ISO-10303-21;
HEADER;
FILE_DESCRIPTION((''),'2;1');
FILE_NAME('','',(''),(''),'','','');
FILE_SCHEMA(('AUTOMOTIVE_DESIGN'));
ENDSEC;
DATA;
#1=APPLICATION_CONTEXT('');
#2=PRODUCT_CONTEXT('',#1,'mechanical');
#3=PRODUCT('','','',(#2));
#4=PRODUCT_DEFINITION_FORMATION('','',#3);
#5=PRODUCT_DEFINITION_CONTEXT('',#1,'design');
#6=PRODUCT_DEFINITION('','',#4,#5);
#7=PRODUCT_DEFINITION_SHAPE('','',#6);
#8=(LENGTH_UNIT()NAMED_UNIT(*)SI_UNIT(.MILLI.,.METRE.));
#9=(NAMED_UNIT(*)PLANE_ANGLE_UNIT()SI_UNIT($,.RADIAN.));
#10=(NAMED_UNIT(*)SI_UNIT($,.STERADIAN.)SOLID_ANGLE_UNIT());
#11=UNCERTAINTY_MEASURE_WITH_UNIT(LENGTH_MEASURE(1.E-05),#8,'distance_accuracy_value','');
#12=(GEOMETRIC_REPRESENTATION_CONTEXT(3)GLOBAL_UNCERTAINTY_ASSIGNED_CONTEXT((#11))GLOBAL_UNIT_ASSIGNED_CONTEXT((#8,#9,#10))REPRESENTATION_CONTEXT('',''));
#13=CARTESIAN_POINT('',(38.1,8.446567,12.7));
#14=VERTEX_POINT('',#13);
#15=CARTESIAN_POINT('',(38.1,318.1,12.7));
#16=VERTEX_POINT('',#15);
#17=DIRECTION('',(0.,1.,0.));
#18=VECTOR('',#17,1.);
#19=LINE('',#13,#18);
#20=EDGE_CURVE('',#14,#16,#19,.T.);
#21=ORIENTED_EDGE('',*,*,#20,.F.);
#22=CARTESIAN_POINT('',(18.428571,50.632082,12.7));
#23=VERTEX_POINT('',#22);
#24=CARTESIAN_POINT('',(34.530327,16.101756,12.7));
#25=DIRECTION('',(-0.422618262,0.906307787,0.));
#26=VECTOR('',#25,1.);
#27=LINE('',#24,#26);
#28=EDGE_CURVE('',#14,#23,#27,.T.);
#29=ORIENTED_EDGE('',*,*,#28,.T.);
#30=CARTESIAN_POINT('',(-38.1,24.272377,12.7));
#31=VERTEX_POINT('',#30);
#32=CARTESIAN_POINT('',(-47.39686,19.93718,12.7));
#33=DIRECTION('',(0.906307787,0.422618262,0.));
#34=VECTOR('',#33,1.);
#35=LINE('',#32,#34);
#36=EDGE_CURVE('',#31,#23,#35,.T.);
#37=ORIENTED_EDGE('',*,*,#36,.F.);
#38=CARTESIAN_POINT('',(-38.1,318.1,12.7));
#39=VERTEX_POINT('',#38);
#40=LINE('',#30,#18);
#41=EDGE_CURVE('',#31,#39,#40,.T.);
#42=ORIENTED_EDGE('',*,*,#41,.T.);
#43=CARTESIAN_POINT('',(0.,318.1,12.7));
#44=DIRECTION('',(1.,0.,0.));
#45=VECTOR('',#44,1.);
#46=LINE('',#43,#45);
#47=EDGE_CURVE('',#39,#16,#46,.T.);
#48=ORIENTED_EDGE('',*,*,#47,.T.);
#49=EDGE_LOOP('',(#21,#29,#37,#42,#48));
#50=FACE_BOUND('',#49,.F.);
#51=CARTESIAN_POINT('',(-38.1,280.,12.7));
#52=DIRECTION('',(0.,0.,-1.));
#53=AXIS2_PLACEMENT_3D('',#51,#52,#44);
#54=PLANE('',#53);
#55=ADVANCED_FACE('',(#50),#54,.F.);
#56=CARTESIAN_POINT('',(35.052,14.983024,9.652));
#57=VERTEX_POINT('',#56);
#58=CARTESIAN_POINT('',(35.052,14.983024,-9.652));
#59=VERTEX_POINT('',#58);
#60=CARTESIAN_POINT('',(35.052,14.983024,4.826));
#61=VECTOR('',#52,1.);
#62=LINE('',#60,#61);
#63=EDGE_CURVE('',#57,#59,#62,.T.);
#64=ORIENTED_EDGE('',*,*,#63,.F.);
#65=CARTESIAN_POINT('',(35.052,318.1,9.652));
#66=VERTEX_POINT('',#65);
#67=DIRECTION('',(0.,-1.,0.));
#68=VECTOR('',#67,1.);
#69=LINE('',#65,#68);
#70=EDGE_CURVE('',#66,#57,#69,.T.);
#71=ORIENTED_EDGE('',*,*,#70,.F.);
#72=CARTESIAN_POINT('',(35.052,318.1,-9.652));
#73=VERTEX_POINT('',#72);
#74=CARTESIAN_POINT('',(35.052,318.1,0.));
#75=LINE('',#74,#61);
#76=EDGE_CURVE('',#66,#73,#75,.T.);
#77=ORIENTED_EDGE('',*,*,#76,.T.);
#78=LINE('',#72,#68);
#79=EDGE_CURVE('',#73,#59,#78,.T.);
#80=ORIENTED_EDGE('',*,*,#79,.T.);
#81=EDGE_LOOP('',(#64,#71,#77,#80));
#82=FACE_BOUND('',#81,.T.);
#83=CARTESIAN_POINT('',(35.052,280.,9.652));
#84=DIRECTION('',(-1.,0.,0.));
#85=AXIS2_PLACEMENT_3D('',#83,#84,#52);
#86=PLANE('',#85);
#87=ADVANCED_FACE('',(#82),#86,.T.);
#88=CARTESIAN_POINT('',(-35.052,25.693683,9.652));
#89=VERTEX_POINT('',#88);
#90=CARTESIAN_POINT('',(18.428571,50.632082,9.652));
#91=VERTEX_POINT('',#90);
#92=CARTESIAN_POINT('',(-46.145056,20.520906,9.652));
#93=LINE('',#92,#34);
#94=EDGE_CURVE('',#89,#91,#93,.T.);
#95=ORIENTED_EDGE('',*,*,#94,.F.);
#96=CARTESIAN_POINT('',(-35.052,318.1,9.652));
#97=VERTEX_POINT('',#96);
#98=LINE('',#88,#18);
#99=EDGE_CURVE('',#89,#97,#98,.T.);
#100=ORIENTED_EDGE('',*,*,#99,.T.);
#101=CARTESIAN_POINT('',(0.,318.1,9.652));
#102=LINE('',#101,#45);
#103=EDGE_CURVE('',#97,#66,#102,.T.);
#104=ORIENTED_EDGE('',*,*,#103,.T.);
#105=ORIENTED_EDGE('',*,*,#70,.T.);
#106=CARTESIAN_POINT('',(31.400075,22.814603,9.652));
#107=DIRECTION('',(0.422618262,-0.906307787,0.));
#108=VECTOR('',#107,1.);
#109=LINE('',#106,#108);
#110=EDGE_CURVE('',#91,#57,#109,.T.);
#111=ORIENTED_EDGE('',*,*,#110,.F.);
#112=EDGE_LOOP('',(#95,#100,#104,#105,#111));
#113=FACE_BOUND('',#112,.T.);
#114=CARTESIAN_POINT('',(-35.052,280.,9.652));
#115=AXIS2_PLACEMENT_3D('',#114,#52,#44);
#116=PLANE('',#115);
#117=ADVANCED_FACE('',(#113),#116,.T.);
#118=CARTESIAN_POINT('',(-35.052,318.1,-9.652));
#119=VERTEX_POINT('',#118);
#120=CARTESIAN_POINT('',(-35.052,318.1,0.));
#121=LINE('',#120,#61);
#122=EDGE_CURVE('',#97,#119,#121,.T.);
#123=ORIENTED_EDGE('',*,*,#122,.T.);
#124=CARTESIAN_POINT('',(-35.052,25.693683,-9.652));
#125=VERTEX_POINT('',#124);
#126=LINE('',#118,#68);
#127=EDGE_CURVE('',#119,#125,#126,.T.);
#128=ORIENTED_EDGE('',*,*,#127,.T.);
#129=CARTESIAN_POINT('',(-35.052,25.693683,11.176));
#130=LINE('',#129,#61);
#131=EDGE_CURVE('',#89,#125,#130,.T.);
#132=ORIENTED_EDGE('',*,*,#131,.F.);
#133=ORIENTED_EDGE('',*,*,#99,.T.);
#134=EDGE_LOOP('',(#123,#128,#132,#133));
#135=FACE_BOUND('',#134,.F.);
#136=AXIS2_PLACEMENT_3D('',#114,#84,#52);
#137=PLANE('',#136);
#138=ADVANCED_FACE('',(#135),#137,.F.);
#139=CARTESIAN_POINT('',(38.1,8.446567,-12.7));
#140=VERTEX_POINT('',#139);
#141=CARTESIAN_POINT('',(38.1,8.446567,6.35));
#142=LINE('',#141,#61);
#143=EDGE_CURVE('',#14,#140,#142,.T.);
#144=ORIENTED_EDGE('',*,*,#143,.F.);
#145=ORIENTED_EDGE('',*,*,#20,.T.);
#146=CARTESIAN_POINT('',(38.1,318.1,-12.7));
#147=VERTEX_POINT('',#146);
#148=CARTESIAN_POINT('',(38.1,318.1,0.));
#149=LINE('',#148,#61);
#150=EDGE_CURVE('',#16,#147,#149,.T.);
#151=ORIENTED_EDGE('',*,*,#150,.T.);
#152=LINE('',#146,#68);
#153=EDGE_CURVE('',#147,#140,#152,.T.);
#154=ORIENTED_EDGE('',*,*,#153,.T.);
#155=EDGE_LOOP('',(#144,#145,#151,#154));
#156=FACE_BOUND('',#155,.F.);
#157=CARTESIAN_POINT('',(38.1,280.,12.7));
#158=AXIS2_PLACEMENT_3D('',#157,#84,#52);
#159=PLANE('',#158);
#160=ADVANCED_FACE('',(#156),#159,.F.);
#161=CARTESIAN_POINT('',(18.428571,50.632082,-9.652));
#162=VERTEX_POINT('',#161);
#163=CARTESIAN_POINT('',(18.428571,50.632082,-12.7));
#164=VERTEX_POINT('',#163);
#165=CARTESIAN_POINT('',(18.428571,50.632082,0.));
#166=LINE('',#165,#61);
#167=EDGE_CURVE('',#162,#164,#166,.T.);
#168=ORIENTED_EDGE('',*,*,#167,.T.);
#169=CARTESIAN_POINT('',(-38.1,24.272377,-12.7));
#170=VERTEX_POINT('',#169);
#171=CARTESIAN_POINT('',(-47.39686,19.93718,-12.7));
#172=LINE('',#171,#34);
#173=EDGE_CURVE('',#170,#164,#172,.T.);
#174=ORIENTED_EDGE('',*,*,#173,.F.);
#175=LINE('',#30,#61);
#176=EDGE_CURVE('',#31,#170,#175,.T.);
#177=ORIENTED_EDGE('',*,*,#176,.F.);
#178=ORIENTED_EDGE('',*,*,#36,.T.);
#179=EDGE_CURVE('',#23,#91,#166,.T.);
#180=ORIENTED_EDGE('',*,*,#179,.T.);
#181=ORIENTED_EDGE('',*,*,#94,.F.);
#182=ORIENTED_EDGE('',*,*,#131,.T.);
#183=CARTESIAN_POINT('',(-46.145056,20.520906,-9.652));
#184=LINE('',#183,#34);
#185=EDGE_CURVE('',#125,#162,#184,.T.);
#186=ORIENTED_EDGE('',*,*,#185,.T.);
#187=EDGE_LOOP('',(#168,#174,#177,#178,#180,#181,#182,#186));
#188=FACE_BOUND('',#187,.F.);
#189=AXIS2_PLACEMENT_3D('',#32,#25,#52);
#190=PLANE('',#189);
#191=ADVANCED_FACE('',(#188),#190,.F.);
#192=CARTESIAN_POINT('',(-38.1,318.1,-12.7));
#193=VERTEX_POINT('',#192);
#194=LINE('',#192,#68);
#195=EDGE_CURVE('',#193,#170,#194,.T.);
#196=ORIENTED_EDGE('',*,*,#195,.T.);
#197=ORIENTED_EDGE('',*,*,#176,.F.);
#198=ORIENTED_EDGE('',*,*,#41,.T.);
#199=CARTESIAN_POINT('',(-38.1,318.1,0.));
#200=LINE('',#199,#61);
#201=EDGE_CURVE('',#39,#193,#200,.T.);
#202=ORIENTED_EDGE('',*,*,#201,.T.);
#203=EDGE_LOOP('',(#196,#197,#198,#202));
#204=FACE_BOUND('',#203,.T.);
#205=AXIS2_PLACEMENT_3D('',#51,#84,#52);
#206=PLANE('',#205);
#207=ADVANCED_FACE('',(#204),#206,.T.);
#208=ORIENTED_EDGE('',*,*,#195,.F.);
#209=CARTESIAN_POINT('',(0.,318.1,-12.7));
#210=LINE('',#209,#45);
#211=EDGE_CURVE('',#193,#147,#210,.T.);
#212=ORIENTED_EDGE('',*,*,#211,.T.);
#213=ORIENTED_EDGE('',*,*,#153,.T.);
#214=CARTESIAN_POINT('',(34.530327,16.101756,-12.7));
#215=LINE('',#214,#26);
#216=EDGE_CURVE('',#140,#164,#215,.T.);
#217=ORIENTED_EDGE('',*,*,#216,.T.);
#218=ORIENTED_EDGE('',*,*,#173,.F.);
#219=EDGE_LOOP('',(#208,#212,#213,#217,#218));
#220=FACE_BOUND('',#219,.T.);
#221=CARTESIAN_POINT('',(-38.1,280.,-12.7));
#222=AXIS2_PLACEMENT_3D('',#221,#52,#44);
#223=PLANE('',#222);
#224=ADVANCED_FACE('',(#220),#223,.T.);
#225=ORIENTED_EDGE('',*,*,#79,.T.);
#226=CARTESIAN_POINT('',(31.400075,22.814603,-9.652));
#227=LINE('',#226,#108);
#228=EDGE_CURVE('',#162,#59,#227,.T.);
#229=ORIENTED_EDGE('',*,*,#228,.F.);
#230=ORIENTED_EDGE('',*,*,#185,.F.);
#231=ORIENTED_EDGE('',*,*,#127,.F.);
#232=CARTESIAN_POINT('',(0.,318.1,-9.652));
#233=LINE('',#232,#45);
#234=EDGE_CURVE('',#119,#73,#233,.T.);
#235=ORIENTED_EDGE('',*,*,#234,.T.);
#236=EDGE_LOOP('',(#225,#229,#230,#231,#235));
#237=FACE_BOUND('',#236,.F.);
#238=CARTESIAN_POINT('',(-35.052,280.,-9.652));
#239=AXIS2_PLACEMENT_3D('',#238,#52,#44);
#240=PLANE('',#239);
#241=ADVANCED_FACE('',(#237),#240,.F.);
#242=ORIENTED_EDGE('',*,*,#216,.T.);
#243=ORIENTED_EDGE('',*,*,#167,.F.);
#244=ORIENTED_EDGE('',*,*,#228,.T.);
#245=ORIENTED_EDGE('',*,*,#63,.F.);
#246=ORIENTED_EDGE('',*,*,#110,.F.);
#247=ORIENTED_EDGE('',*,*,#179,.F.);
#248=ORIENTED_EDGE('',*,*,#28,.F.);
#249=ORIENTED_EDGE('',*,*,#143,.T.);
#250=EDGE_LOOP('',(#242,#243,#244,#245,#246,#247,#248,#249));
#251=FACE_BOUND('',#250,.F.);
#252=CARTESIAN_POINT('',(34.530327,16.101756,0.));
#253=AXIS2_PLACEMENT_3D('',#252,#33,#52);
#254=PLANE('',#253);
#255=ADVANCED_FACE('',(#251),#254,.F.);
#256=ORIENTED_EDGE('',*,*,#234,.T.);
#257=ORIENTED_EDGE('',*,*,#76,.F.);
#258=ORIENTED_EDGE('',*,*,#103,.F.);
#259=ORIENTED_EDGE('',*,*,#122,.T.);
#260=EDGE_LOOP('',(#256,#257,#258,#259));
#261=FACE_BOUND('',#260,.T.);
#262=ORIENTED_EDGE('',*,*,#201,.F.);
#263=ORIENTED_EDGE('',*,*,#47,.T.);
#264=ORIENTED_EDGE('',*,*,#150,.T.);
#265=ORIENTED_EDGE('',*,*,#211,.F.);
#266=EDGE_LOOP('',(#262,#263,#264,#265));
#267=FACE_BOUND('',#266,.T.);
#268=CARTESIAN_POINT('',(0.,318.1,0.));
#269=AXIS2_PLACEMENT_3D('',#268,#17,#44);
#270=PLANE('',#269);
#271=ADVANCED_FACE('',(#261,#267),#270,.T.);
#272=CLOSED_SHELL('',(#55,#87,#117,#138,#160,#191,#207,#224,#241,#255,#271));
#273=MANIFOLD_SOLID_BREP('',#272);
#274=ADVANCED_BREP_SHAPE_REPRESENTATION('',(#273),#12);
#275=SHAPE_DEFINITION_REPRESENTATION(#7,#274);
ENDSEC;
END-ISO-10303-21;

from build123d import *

# Parameters (mm, degrees)
SKETCH1_W           = 76.2
SKETCH1_H           = 25.4
SKETCH1_W_2         = 70.104
SKETCH1_H_2         = 19.304
BOSS_EXTRUDE1_DEPTH = 280
CUT_EXTRUDE1_START  = -34.530327
SKETCH3_W           = 25.4
SKETCH3_H           = 76.2
CUT_EXTRUDE1_DEPTH  = 72.630327
SKETCH5_W           = 76.2
SKETCH5_H           = 25.4
SKETCH5_W_2         = 70.104
SKETCH5_H_2         = 19.304
BOSS_EXTRUDE2_DEPTH = 38.1


with BuildPart() as part:
    # Sketch1 → Boss-Extrude1 (new body)
    with BuildSketch(Plane(origin=(0, 0, 0), x_dir=(1, 0, 0), z_dir=(0, 1, 0))):
        Rectangle(SKETCH1_W, SKETCH1_H)
        Rectangle(SKETCH1_W_2, SKETCH1_H_2, mode=Mode.SUBTRACT)
    extrude(amount=BOSS_EXTRUDE1_DEPTH)

    # Sketch3 → Cut-Extrude1 (cut)
    with BuildSketch(Plane(origin=(0, 0, 0), x_dir=(0, 0, -1), z_dir=(0.906307787, 0.422618262, 0)).offset(CUT_EXTRUDE1_START)):
        Rectangle(SKETCH3_W, SKETCH3_H)
    extrude(amount=CUT_EXTRUDE1_DEPTH, mode=Mode.SUBTRACT)

    # Sketch5 → Boss-Extrude2 (add)
    with BuildSketch(Plane(origin=(0, 280, 0), x_dir=(1, 0, 0), z_dir=(0, 1, 0))):
        Rectangle(SKETCH5_W, SKETCH5_H)
        Rectangle(SKETCH5_W_2, SKETCH5_H_2, mode=Mode.SUBTRACT)
    extrude(amount=BOSS_EXTRUDE2_DEPTH)


solid = part.part
